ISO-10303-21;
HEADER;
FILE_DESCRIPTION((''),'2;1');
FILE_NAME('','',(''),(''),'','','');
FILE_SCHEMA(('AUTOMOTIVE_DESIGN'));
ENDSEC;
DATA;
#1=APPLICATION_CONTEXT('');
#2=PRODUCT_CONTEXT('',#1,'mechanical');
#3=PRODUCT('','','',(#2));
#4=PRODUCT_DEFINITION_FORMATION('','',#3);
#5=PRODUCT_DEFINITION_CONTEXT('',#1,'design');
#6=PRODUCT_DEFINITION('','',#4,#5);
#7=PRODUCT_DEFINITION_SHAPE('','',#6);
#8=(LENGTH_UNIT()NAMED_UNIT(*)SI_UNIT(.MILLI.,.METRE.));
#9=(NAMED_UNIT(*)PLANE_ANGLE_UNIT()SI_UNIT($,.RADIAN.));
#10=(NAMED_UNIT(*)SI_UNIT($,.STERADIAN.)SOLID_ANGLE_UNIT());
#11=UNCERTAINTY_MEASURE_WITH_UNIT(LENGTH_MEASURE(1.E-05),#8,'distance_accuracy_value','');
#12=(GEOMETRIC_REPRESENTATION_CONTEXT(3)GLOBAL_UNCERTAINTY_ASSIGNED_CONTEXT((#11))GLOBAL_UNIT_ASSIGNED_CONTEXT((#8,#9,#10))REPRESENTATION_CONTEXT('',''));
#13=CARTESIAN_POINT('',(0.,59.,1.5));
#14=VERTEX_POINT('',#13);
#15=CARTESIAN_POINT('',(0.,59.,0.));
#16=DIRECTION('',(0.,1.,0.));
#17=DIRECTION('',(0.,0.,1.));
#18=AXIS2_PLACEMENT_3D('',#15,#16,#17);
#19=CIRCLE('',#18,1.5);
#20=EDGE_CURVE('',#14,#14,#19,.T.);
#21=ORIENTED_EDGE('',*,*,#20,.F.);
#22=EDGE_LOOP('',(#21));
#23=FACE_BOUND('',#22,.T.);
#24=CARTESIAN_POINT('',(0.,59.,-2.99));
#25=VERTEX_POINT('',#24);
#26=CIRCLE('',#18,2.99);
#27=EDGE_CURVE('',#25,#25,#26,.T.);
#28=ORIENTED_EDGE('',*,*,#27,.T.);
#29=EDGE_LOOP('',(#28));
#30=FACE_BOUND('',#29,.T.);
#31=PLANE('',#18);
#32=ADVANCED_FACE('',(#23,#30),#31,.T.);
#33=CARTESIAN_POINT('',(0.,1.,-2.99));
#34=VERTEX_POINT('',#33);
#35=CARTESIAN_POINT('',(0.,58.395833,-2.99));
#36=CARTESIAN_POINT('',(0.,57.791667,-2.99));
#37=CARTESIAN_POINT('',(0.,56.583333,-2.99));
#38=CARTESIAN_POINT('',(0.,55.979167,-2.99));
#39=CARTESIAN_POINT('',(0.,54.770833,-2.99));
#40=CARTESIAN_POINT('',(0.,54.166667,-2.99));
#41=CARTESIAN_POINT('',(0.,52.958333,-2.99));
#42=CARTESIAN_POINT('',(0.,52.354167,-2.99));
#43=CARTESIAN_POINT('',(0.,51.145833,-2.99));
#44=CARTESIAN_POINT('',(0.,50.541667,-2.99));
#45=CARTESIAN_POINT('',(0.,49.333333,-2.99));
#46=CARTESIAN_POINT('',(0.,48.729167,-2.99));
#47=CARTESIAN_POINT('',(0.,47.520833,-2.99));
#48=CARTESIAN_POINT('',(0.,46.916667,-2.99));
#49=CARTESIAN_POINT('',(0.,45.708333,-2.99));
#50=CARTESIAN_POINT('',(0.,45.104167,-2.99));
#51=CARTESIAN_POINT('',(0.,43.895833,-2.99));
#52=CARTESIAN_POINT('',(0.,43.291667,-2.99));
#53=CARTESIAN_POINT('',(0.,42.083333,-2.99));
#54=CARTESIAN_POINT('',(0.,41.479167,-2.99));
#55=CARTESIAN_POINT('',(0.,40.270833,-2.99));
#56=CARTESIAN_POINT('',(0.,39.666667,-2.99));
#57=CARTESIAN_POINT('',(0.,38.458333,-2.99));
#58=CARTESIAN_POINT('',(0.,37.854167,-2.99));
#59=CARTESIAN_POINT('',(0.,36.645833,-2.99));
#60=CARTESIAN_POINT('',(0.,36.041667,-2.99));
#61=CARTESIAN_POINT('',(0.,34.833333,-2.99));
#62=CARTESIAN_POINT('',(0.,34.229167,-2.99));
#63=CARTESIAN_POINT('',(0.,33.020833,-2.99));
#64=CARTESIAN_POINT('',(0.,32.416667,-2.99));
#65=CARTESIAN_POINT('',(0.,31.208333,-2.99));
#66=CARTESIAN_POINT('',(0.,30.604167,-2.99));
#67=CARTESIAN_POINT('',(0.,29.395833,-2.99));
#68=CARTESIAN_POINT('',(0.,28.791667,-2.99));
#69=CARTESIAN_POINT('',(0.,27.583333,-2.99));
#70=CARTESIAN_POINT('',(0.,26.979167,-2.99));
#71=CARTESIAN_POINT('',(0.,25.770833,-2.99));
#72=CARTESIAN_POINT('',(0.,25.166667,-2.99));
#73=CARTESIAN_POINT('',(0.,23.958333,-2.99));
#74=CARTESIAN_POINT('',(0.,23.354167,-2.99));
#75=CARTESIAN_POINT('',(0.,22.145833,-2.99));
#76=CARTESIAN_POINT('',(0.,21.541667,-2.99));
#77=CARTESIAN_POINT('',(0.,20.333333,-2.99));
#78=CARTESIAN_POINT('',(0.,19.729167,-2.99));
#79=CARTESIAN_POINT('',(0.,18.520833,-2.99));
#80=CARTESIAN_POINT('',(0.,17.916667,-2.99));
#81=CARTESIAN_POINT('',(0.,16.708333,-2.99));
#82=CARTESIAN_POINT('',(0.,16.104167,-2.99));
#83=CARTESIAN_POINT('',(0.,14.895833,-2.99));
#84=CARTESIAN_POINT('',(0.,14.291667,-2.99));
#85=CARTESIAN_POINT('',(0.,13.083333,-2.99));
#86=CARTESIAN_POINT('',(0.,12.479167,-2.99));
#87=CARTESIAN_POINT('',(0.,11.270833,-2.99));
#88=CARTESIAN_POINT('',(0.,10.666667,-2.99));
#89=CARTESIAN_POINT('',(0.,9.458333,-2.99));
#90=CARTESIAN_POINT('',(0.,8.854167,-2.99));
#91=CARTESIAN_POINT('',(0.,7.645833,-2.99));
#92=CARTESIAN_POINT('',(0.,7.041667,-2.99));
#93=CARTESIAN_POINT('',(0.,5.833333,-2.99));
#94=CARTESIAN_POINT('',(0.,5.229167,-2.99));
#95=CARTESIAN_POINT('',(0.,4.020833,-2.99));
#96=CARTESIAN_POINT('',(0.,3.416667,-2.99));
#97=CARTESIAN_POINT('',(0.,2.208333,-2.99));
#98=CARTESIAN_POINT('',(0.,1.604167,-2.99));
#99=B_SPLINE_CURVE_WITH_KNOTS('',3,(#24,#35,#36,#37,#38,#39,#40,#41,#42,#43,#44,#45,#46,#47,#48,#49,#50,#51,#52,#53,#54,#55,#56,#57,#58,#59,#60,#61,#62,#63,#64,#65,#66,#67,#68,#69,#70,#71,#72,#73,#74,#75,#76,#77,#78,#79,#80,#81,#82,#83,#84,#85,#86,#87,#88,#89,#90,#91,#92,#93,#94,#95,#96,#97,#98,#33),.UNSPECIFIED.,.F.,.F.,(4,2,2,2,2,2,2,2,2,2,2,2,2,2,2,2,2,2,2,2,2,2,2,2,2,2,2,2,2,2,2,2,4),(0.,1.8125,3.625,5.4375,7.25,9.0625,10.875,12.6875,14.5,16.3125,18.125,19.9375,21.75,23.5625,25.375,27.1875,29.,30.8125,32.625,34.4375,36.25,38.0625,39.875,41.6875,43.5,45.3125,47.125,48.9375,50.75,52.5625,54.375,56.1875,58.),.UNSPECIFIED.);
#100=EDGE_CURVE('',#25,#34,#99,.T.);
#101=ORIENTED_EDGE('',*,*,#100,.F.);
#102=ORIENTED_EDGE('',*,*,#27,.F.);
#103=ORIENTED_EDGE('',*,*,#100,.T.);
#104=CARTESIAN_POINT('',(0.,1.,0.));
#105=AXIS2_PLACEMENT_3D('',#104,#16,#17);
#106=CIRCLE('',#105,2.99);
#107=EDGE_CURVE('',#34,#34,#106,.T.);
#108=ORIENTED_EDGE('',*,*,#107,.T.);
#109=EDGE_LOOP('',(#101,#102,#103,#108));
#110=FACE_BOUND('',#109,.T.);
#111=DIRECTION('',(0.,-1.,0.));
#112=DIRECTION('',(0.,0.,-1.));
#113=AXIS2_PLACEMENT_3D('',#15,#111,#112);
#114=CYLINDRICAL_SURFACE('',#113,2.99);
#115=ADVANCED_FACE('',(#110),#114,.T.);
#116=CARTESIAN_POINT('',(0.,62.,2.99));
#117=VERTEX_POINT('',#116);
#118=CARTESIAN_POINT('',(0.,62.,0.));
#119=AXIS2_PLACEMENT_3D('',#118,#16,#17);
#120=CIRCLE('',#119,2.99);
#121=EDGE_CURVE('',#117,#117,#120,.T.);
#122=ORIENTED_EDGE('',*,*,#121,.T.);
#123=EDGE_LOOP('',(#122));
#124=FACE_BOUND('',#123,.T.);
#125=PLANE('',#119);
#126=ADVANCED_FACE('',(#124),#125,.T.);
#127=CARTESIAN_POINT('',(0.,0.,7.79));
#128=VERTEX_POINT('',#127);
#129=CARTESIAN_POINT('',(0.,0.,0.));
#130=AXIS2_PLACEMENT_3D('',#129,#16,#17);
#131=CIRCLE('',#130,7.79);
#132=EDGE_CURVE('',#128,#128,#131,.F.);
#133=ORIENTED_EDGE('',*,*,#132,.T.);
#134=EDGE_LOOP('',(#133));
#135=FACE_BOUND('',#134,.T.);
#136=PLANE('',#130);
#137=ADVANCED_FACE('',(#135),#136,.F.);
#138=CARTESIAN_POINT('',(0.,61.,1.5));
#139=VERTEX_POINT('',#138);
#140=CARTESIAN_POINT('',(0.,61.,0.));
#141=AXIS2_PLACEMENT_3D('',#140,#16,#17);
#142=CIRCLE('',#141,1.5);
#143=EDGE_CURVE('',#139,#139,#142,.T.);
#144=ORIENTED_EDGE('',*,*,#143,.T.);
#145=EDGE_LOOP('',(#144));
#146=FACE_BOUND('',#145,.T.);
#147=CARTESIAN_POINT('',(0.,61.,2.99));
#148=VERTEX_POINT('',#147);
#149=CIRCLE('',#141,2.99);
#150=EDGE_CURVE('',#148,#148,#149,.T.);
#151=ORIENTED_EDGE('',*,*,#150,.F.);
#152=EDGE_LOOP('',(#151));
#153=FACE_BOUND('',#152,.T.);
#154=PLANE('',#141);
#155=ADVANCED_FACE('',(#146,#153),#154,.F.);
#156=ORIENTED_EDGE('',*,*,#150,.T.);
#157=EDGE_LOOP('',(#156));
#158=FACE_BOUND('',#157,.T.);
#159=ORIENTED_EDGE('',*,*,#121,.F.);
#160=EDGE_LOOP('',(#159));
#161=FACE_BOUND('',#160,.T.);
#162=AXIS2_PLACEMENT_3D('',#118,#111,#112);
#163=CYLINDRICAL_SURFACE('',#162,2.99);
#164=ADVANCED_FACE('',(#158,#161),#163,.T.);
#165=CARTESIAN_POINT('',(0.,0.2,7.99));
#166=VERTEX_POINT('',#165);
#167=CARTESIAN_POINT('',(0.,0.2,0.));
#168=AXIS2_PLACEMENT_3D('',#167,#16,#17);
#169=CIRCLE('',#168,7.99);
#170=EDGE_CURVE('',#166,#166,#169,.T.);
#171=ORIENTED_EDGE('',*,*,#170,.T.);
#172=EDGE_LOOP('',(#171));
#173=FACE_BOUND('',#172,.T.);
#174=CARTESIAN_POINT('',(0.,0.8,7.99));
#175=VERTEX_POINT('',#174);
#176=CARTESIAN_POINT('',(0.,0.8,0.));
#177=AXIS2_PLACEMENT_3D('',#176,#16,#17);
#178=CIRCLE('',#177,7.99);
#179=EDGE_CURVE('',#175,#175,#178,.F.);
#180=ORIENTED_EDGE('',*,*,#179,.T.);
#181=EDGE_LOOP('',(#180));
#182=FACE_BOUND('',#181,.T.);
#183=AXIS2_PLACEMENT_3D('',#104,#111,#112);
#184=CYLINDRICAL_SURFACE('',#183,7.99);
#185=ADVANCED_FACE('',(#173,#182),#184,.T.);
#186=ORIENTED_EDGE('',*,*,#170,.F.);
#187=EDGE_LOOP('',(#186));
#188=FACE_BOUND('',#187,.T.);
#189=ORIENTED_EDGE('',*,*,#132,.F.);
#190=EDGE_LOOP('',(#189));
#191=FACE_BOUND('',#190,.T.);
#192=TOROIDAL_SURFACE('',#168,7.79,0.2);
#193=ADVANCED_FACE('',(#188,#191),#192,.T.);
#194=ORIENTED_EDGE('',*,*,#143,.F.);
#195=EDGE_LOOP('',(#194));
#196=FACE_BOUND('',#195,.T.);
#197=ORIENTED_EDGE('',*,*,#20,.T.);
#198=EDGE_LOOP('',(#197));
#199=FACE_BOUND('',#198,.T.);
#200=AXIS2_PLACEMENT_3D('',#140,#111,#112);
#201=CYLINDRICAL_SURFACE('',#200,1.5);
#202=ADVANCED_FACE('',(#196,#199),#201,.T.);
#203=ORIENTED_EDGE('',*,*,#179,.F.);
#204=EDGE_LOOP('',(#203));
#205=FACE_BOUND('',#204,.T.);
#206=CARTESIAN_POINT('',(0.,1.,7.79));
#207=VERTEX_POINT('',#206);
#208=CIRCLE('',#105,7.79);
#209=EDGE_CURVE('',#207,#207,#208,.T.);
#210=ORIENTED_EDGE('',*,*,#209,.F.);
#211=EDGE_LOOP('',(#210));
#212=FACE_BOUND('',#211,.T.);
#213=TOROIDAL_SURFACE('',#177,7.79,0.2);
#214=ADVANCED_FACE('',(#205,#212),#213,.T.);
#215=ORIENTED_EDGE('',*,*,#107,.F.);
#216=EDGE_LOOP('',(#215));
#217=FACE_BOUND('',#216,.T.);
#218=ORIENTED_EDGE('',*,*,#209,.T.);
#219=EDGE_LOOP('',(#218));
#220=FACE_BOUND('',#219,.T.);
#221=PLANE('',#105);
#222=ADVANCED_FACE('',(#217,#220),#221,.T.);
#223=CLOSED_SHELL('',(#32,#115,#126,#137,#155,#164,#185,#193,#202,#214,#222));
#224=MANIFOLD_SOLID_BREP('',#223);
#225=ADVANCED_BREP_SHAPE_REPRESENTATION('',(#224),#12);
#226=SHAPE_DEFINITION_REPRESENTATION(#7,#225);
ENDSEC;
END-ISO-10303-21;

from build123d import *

# Parameters (mm, degrees)
SKETCH1_R           = 7.99
BOSS_EXTRUDE1_DEPTH = 1
FILLET1_R           = 0.2
SKETCH2_R           = 2.99
BOSS_EXTRUDE3_DEPTH = 58
SKETCH4_R           = 1.5
BOSS_EXTRUDE4_DEPTH = 2
SKETCH5_R           = 2.99
BOSS_EXTRUDE5_DEPTH = 1


with BuildPart() as part:
    # Sketch1 → Boss-Extrude1 (new body)
    with BuildSketch(Plane(origin=(0, 0, 0), x_dir=(1, 0, 0), z_dir=(0, 1, 0))):
        Circle(SKETCH1_R)
    extrude(amount=BOSS_EXTRUDE1_DEPTH)

    # Fillet1
    fillet1_edges = [part.edges().sort_by_distance(p)[0] for p in [
        (-7.99, 0, 0),
        (-7.99, 1, 0),
    ]]
    fillet(fillet1_edges, radius=FILLET1_R)

    # Sketch2 → Boss-Extrude3 (add)
    with BuildSketch(Plane(origin=(0, 1, 0), x_dir=(1, 0, 0), z_dir=(0, 1, 0))):
        Circle(SKETCH2_R)
    extrude(amount=BOSS_EXTRUDE3_DEPTH)

    # Sketch4 → Boss-Extrude4 (add)
    with BuildSketch(Plane(origin=(0, 59, 0), x_dir=(1, 0, 0), z_dir=(0, 1, 0))):
        Circle(SKETCH4_R)
    extrude(amount=BOSS_EXTRUDE4_DEPTH)

    # Sketch5 → Boss-Extrude5 (add)
    with BuildSketch(Plane(origin=(0, 61, 0), x_dir=(1, 0, 0), z_dir=(0, 1, 0))):
        Circle(SKETCH5_R)
    extrude(amount=BOSS_EXTRUDE5_DEPTH)


solid = part.part
